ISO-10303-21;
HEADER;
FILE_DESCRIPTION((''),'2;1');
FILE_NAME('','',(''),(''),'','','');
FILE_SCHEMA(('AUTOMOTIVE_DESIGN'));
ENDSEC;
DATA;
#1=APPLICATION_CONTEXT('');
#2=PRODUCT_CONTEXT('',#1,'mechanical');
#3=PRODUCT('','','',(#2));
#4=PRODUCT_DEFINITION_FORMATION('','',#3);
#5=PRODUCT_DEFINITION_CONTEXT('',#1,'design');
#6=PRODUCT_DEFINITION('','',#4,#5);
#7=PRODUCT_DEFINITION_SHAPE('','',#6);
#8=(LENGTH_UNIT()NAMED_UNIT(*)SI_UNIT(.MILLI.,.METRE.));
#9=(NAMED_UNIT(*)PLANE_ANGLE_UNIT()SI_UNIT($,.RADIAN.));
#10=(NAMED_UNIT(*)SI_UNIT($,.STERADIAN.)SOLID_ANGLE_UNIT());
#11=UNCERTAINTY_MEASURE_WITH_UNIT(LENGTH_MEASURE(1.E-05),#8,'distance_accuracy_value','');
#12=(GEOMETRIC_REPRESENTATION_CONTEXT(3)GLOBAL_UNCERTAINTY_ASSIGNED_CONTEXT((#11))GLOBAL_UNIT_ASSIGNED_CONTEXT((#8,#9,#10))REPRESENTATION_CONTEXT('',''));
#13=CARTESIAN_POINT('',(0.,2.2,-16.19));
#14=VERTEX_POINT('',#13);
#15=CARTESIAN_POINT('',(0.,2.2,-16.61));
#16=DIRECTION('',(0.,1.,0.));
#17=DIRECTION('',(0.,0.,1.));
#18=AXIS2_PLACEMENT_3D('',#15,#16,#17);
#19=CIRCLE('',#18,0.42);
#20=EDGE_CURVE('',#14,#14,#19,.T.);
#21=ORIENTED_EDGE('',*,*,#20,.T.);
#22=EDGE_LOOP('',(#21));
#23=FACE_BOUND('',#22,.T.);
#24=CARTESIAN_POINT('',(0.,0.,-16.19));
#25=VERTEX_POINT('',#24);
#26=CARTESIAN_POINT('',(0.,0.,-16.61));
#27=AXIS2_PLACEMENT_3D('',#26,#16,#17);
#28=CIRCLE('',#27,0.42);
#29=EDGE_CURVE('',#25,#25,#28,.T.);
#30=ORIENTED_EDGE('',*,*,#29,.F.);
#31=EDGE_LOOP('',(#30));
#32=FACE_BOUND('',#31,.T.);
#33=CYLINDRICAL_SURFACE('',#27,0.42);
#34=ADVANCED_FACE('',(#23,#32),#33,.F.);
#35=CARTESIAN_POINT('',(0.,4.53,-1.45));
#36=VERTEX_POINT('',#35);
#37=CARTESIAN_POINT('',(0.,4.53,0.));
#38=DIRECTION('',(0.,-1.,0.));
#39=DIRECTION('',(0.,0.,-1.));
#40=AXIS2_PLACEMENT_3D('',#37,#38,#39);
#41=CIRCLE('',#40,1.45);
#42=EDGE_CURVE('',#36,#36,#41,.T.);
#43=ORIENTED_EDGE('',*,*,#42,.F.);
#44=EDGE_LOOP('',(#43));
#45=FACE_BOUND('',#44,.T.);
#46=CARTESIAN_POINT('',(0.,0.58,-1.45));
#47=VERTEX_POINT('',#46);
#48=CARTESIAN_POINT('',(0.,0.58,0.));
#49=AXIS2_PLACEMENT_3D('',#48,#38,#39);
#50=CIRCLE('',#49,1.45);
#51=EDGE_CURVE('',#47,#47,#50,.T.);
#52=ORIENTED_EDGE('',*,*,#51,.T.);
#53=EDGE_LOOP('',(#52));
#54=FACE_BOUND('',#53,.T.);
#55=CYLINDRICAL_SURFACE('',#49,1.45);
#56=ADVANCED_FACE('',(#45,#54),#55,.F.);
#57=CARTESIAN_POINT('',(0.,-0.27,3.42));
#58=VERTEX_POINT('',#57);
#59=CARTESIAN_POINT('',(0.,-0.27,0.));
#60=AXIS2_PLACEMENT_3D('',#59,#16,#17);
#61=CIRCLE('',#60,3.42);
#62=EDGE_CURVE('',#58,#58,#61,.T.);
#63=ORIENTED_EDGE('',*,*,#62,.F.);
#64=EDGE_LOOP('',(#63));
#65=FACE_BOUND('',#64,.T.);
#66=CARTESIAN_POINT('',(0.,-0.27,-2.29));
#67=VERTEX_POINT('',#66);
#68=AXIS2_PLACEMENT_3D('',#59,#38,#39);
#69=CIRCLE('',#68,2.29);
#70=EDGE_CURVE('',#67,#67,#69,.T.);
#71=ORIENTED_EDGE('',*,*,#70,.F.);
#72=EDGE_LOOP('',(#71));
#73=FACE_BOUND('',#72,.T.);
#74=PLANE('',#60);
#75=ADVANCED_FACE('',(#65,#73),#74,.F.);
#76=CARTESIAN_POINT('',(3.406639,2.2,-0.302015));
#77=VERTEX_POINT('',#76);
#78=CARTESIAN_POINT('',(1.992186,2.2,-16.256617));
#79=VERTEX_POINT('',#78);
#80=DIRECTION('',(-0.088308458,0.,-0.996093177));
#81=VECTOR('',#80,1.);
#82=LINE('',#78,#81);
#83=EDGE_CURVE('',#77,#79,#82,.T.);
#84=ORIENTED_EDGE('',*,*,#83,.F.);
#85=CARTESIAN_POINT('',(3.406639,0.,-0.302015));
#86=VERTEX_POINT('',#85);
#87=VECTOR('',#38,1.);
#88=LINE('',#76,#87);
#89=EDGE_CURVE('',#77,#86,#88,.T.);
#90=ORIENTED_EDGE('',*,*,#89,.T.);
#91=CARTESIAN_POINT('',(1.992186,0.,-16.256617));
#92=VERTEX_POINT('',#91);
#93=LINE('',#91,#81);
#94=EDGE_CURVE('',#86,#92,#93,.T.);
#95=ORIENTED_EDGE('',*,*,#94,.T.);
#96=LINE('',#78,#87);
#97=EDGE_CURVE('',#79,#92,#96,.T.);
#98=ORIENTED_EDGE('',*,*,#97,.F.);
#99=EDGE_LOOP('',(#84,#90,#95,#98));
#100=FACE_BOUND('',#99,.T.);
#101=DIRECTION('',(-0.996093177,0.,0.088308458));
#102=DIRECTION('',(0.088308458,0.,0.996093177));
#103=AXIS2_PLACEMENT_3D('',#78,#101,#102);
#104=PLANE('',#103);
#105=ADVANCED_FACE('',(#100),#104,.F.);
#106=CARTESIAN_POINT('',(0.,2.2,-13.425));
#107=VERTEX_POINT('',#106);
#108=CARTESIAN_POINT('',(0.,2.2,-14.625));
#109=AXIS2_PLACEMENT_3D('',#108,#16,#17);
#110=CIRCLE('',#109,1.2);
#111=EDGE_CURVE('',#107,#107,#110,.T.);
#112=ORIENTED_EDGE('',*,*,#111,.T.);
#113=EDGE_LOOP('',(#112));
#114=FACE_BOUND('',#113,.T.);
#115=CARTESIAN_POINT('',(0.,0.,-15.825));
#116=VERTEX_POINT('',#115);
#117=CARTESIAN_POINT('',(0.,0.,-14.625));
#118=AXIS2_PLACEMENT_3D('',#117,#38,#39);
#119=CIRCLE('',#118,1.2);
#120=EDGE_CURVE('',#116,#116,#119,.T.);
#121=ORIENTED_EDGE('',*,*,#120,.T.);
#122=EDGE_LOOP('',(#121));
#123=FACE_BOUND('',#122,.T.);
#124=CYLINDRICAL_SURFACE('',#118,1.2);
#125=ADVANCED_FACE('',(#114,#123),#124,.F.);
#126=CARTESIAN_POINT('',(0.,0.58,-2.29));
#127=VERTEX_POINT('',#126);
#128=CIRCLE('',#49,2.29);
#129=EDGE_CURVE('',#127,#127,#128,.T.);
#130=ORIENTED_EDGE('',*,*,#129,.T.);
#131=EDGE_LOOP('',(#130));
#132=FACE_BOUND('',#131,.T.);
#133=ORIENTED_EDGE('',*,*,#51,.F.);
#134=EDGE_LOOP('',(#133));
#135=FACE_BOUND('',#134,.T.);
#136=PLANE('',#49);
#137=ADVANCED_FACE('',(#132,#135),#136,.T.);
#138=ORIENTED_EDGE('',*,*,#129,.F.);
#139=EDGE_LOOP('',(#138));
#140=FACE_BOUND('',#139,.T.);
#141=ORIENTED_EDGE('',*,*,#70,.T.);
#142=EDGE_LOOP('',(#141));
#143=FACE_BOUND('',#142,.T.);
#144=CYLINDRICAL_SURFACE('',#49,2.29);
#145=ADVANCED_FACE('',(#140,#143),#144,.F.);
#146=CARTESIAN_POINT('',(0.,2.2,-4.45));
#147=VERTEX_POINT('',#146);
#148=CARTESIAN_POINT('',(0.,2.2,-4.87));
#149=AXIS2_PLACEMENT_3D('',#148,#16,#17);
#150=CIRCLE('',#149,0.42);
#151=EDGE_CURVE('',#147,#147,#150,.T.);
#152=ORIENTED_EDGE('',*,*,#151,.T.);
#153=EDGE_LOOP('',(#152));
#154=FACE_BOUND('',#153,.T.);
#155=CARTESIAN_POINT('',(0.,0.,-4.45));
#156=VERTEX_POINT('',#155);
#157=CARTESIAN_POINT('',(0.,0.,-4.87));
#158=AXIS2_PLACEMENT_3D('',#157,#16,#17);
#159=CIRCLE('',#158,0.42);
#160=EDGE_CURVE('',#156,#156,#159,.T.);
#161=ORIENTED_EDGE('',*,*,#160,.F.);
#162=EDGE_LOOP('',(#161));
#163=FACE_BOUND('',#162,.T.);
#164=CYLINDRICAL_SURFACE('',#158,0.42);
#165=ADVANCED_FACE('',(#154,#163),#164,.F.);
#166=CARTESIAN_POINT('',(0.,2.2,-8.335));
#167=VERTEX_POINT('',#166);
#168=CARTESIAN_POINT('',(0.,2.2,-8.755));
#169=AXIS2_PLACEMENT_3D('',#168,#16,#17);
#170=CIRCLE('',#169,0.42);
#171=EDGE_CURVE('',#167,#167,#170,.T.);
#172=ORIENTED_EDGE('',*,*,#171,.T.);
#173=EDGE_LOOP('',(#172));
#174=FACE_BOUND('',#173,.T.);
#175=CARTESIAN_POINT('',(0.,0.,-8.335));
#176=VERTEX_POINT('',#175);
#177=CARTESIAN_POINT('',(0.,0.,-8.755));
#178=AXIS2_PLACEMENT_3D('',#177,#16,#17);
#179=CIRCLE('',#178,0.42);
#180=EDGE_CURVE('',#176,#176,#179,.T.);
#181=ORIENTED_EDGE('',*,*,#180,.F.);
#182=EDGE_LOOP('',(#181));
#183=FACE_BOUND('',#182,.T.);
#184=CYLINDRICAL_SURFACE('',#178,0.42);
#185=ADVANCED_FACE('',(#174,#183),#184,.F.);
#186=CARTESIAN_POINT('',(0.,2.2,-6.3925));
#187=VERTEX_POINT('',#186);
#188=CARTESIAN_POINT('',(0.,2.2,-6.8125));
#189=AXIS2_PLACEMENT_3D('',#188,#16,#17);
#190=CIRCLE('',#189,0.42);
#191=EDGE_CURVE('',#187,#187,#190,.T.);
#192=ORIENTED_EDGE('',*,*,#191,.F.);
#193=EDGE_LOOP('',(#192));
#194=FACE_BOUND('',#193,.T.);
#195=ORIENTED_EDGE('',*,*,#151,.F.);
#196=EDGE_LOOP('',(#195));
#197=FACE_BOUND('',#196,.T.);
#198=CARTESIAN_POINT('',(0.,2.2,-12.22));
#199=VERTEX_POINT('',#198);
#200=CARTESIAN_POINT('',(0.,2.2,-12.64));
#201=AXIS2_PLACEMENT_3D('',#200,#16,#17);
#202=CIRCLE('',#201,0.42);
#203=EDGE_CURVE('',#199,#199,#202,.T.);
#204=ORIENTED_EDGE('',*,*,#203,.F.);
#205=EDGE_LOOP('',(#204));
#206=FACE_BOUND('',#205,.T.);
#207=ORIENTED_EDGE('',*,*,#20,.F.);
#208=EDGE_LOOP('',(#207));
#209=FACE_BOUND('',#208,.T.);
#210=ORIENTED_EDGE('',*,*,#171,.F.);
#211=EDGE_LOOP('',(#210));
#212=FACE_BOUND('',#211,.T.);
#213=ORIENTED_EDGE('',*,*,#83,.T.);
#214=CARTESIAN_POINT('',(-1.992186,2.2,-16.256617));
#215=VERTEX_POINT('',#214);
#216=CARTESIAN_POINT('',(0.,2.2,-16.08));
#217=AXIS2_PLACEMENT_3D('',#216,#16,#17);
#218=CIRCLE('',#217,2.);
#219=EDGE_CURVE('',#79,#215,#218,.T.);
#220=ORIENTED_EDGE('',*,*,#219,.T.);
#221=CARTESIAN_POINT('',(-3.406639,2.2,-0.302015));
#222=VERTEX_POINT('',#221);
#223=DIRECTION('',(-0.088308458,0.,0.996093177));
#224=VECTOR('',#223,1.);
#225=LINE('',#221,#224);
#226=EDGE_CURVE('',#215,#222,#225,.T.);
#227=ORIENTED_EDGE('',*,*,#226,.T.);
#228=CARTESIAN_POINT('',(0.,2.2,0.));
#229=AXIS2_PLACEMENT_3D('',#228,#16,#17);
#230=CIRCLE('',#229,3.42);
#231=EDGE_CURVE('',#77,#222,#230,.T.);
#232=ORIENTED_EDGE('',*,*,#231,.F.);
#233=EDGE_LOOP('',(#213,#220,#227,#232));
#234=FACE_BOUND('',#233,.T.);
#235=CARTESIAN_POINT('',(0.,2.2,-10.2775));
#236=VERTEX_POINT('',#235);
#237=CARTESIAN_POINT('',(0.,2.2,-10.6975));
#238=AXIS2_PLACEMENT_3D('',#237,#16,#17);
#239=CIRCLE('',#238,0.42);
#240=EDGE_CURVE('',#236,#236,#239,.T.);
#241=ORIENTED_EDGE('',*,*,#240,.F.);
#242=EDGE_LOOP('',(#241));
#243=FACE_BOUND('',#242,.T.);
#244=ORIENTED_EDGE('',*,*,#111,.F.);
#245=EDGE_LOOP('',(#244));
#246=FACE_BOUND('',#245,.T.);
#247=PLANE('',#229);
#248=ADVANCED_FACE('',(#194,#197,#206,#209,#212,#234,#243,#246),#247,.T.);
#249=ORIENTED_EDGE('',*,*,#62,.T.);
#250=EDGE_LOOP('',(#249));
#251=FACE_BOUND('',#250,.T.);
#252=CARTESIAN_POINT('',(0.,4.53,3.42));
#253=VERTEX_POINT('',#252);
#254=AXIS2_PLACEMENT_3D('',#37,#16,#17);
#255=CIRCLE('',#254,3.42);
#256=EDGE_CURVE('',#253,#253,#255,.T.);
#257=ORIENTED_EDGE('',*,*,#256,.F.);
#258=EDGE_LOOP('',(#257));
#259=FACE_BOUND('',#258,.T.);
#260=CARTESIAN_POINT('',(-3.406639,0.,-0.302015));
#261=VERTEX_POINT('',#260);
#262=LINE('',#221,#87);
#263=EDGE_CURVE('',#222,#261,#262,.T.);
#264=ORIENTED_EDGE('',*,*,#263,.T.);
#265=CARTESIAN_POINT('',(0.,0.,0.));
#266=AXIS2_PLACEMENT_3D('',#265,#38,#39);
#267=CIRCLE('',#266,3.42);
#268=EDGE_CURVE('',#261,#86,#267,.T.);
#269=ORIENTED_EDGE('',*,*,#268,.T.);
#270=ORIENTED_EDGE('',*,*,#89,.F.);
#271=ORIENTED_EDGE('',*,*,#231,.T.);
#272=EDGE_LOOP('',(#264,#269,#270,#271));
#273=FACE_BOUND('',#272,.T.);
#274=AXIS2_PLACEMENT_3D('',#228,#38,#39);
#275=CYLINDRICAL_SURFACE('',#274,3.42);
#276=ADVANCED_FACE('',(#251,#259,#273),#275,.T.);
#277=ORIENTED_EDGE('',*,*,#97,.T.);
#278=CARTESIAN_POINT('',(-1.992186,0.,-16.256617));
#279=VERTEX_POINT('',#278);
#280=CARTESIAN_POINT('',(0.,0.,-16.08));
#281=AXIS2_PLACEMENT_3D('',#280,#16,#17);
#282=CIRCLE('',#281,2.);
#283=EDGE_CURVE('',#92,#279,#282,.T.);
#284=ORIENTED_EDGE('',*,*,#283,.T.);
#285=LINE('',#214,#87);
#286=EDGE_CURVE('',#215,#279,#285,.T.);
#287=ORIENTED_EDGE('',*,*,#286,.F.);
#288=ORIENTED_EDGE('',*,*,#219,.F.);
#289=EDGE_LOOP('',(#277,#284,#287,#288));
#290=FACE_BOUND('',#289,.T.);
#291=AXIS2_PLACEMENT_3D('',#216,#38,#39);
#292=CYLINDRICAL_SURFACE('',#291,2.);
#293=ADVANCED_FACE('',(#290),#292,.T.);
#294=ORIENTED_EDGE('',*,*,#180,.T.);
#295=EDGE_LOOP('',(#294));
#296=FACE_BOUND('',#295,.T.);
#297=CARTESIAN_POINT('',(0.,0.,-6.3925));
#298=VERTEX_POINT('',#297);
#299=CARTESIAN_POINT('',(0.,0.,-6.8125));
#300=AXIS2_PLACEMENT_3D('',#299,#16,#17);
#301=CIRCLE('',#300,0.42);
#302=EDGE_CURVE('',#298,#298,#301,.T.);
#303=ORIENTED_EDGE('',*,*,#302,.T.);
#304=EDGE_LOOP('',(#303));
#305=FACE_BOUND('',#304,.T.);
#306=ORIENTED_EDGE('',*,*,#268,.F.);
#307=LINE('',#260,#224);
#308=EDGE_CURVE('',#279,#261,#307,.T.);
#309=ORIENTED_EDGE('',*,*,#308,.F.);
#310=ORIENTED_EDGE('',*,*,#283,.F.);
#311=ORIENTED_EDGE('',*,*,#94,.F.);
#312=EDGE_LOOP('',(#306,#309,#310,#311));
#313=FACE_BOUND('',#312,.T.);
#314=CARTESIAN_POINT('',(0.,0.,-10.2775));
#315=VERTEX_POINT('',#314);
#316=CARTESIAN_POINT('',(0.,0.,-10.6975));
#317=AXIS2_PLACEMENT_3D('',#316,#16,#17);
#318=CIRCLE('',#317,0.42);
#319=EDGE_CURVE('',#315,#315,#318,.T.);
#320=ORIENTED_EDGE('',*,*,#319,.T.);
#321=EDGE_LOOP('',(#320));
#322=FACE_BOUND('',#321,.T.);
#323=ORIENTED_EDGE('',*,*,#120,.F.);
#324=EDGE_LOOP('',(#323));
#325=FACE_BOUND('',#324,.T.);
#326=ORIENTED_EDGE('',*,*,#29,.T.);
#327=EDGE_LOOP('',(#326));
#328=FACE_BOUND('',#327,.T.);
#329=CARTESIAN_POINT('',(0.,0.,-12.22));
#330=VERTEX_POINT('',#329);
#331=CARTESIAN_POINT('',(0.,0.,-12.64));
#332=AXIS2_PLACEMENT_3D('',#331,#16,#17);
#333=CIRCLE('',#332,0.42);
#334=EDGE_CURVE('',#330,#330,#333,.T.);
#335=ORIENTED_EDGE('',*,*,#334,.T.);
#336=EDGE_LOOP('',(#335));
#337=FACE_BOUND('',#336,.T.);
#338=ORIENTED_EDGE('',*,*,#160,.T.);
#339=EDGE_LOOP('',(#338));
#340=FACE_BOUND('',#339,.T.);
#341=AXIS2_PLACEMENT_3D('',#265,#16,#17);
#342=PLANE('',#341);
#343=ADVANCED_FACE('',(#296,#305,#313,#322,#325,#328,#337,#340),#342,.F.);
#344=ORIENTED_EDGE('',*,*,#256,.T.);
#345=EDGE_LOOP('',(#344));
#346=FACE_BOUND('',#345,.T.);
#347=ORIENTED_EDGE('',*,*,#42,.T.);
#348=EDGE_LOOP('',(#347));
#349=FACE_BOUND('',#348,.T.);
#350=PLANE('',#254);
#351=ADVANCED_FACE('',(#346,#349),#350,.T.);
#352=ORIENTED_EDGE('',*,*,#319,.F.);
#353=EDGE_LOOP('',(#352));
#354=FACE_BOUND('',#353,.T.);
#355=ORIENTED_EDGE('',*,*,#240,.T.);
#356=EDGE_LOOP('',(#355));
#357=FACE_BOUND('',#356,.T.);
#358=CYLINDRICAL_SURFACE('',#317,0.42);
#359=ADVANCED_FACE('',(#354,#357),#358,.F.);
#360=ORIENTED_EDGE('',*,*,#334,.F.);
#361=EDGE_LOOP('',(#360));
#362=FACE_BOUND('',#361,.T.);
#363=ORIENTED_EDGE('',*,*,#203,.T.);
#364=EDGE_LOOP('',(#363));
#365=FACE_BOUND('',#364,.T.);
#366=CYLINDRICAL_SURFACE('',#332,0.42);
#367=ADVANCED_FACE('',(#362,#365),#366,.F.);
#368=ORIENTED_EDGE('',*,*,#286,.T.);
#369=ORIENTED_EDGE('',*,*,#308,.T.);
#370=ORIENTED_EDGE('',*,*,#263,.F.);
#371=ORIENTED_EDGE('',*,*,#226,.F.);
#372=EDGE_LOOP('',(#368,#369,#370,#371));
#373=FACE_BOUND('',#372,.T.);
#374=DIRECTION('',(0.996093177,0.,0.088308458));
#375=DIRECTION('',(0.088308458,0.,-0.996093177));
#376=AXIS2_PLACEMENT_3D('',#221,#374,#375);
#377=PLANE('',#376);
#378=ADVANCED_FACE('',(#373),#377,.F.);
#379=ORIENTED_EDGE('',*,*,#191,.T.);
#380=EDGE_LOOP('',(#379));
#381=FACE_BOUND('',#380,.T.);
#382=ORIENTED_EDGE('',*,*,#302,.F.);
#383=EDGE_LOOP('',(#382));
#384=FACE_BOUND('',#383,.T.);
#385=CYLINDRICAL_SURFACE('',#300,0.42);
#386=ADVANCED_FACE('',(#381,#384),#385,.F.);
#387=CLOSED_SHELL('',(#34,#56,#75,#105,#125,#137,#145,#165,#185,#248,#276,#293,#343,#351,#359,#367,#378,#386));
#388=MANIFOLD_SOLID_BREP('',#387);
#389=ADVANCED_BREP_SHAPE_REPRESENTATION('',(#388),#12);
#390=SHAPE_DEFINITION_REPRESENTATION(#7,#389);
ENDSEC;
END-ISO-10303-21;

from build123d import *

# Parameters (mm, degrees)
BOSS_EXTRUDE1_DEPTH    = 2.2
SKETCH2_R              = 3.42
BOSS_EXTRUDE2_DEPTH    = 2.33
SKETCH6_R              = 0.42
SKETCH6_R_2            = 0.7
CUT_EXTRUDE5_DEPTH     = 19.547552399
BOSS_EXTRUDE3_START    = 0.27
SKETCH9_R              = 3.42
BOSS_EXTRUDE3_DEPTH    = 0.27
SKETCH10_R             = 2.29
CUT_EXTRUDE12_DEPTH    = 0.85
M2_5_CLEARANCE_HOLE2_D = 2.9
M2_CLEARANCE_HOLE1_D   = 2.4


with BuildPart() as part:
    # Sketch1 → Boss-Extrude1 (new body)
    with BuildSketch(Plane(origin=(0, 0, 0), x_dir=(1, 0, 0), z_dir=(0, 1, 0))):
        with BuildLine():
            Line((-3.406638664, 0.302014925), (-1.992186353, 16.256616915))
            ThreePointArc((-1.992186353, 16.256616915), (0, 18.08), (1.992186353, 16.256616915))
            Line((1.992186353, 16.256616915), (3.406638664, 0.302014925))
            ThreePointArc((3.406638664, 0.302014925), (0, -3.42), (-3.406638664, 0.302014925))
        make_face()
    extrude(amount=BOSS_EXTRUDE1_DEPTH)

    # Sketch2 → Boss-Extrude2 (add)
    with BuildSketch(Plane(origin=(0, 2.2, 0), x_dir=(1, 0, 0), z_dir=(0, 1, 0))):
        with Locations(Location((0, 0, 0), (0, 0, 5.066301357))):
            Circle(SKETCH2_R)
    extrude(amount=BOSS_EXTRUDE2_DEPTH)

    # Sketch6 → Cut-Extrude5 (cut, through all)
    with BuildSketch(Plane(origin=(0, 2.2, 0), x_dir=(1, 0, 0), z_dir=(0, 1, 0))):
        with Locations(Location((0, 4.87, 0), (0, 0, 270))):
            Circle(SKETCH6_R)
        with Locations(Location((0, 6.8125, 0), (0, 0, 270))):
            Circle(SKETCH6_R)
        with Locations(Location((0, 8.755, 0), (0, 0, 270))):
            Circle(SKETCH6_R)
        with Locations(Location((0, 10.6975, 0), (0, 0, 270))):
            Circle(SKETCH6_R)
        with Locations(Location((0, 12.64, 0), (0, 0, 270))):
            Circle(SKETCH6_R)
        with Locations(Location((0, 14.625, 0), (0, 0, 270))):
            Circle(SKETCH6_R_2)
        with Locations(Location((0, 16.61, 0), (0, 0, 270))):
            Circle(SKETCH6_R)
    extrude(amount=-CUT_EXTRUDE5_DEPTH, mode=Mode.SUBTRACT)

    # Sketch9 → Boss-Extrude3 (add)
    with BuildSketch(Plane.XZ.offset(BOSS_EXTRUDE3_START)):
        with Locations(Location((0, 0, 0), (0, 0, 90))):
            Circle(SKETCH9_R)
    extrude(amount=-BOSS_EXTRUDE3_DEPTH)

    # Sketch10 → Cut-Extrude12 (cut)
    with BuildSketch(Plane.XZ.offset(0.27)):
        with Locations(Location((0, 0, 0), (0, 0, 270))):
            Circle(SKETCH10_R)
    extrude(amount=-CUT_EXTRUDE12_DEPTH, mode=Mode.SUBTRACT)

    # M2.5 Clearance Hole2 (through all)
    with Locations(Plane(origin=(0, 0.58, 0), x_dir=(-1, 0, 0), z_dir=(0, -1, 0))):
        with Locations((0, 0)):
            Hole(M2_5_CLEARANCE_HOLE2_D / 2)

    # M2 Clearance Hole1 (through all)
    with Locations(Plane(origin=(0, 0, 0), x_dir=(-1, 0, 0), z_dir=(0, -1, 0))):
        with Locations((0, 14.625)):
            Hole(M2_CLEARANCE_HOLE1_D / 2)


solid = part.part
